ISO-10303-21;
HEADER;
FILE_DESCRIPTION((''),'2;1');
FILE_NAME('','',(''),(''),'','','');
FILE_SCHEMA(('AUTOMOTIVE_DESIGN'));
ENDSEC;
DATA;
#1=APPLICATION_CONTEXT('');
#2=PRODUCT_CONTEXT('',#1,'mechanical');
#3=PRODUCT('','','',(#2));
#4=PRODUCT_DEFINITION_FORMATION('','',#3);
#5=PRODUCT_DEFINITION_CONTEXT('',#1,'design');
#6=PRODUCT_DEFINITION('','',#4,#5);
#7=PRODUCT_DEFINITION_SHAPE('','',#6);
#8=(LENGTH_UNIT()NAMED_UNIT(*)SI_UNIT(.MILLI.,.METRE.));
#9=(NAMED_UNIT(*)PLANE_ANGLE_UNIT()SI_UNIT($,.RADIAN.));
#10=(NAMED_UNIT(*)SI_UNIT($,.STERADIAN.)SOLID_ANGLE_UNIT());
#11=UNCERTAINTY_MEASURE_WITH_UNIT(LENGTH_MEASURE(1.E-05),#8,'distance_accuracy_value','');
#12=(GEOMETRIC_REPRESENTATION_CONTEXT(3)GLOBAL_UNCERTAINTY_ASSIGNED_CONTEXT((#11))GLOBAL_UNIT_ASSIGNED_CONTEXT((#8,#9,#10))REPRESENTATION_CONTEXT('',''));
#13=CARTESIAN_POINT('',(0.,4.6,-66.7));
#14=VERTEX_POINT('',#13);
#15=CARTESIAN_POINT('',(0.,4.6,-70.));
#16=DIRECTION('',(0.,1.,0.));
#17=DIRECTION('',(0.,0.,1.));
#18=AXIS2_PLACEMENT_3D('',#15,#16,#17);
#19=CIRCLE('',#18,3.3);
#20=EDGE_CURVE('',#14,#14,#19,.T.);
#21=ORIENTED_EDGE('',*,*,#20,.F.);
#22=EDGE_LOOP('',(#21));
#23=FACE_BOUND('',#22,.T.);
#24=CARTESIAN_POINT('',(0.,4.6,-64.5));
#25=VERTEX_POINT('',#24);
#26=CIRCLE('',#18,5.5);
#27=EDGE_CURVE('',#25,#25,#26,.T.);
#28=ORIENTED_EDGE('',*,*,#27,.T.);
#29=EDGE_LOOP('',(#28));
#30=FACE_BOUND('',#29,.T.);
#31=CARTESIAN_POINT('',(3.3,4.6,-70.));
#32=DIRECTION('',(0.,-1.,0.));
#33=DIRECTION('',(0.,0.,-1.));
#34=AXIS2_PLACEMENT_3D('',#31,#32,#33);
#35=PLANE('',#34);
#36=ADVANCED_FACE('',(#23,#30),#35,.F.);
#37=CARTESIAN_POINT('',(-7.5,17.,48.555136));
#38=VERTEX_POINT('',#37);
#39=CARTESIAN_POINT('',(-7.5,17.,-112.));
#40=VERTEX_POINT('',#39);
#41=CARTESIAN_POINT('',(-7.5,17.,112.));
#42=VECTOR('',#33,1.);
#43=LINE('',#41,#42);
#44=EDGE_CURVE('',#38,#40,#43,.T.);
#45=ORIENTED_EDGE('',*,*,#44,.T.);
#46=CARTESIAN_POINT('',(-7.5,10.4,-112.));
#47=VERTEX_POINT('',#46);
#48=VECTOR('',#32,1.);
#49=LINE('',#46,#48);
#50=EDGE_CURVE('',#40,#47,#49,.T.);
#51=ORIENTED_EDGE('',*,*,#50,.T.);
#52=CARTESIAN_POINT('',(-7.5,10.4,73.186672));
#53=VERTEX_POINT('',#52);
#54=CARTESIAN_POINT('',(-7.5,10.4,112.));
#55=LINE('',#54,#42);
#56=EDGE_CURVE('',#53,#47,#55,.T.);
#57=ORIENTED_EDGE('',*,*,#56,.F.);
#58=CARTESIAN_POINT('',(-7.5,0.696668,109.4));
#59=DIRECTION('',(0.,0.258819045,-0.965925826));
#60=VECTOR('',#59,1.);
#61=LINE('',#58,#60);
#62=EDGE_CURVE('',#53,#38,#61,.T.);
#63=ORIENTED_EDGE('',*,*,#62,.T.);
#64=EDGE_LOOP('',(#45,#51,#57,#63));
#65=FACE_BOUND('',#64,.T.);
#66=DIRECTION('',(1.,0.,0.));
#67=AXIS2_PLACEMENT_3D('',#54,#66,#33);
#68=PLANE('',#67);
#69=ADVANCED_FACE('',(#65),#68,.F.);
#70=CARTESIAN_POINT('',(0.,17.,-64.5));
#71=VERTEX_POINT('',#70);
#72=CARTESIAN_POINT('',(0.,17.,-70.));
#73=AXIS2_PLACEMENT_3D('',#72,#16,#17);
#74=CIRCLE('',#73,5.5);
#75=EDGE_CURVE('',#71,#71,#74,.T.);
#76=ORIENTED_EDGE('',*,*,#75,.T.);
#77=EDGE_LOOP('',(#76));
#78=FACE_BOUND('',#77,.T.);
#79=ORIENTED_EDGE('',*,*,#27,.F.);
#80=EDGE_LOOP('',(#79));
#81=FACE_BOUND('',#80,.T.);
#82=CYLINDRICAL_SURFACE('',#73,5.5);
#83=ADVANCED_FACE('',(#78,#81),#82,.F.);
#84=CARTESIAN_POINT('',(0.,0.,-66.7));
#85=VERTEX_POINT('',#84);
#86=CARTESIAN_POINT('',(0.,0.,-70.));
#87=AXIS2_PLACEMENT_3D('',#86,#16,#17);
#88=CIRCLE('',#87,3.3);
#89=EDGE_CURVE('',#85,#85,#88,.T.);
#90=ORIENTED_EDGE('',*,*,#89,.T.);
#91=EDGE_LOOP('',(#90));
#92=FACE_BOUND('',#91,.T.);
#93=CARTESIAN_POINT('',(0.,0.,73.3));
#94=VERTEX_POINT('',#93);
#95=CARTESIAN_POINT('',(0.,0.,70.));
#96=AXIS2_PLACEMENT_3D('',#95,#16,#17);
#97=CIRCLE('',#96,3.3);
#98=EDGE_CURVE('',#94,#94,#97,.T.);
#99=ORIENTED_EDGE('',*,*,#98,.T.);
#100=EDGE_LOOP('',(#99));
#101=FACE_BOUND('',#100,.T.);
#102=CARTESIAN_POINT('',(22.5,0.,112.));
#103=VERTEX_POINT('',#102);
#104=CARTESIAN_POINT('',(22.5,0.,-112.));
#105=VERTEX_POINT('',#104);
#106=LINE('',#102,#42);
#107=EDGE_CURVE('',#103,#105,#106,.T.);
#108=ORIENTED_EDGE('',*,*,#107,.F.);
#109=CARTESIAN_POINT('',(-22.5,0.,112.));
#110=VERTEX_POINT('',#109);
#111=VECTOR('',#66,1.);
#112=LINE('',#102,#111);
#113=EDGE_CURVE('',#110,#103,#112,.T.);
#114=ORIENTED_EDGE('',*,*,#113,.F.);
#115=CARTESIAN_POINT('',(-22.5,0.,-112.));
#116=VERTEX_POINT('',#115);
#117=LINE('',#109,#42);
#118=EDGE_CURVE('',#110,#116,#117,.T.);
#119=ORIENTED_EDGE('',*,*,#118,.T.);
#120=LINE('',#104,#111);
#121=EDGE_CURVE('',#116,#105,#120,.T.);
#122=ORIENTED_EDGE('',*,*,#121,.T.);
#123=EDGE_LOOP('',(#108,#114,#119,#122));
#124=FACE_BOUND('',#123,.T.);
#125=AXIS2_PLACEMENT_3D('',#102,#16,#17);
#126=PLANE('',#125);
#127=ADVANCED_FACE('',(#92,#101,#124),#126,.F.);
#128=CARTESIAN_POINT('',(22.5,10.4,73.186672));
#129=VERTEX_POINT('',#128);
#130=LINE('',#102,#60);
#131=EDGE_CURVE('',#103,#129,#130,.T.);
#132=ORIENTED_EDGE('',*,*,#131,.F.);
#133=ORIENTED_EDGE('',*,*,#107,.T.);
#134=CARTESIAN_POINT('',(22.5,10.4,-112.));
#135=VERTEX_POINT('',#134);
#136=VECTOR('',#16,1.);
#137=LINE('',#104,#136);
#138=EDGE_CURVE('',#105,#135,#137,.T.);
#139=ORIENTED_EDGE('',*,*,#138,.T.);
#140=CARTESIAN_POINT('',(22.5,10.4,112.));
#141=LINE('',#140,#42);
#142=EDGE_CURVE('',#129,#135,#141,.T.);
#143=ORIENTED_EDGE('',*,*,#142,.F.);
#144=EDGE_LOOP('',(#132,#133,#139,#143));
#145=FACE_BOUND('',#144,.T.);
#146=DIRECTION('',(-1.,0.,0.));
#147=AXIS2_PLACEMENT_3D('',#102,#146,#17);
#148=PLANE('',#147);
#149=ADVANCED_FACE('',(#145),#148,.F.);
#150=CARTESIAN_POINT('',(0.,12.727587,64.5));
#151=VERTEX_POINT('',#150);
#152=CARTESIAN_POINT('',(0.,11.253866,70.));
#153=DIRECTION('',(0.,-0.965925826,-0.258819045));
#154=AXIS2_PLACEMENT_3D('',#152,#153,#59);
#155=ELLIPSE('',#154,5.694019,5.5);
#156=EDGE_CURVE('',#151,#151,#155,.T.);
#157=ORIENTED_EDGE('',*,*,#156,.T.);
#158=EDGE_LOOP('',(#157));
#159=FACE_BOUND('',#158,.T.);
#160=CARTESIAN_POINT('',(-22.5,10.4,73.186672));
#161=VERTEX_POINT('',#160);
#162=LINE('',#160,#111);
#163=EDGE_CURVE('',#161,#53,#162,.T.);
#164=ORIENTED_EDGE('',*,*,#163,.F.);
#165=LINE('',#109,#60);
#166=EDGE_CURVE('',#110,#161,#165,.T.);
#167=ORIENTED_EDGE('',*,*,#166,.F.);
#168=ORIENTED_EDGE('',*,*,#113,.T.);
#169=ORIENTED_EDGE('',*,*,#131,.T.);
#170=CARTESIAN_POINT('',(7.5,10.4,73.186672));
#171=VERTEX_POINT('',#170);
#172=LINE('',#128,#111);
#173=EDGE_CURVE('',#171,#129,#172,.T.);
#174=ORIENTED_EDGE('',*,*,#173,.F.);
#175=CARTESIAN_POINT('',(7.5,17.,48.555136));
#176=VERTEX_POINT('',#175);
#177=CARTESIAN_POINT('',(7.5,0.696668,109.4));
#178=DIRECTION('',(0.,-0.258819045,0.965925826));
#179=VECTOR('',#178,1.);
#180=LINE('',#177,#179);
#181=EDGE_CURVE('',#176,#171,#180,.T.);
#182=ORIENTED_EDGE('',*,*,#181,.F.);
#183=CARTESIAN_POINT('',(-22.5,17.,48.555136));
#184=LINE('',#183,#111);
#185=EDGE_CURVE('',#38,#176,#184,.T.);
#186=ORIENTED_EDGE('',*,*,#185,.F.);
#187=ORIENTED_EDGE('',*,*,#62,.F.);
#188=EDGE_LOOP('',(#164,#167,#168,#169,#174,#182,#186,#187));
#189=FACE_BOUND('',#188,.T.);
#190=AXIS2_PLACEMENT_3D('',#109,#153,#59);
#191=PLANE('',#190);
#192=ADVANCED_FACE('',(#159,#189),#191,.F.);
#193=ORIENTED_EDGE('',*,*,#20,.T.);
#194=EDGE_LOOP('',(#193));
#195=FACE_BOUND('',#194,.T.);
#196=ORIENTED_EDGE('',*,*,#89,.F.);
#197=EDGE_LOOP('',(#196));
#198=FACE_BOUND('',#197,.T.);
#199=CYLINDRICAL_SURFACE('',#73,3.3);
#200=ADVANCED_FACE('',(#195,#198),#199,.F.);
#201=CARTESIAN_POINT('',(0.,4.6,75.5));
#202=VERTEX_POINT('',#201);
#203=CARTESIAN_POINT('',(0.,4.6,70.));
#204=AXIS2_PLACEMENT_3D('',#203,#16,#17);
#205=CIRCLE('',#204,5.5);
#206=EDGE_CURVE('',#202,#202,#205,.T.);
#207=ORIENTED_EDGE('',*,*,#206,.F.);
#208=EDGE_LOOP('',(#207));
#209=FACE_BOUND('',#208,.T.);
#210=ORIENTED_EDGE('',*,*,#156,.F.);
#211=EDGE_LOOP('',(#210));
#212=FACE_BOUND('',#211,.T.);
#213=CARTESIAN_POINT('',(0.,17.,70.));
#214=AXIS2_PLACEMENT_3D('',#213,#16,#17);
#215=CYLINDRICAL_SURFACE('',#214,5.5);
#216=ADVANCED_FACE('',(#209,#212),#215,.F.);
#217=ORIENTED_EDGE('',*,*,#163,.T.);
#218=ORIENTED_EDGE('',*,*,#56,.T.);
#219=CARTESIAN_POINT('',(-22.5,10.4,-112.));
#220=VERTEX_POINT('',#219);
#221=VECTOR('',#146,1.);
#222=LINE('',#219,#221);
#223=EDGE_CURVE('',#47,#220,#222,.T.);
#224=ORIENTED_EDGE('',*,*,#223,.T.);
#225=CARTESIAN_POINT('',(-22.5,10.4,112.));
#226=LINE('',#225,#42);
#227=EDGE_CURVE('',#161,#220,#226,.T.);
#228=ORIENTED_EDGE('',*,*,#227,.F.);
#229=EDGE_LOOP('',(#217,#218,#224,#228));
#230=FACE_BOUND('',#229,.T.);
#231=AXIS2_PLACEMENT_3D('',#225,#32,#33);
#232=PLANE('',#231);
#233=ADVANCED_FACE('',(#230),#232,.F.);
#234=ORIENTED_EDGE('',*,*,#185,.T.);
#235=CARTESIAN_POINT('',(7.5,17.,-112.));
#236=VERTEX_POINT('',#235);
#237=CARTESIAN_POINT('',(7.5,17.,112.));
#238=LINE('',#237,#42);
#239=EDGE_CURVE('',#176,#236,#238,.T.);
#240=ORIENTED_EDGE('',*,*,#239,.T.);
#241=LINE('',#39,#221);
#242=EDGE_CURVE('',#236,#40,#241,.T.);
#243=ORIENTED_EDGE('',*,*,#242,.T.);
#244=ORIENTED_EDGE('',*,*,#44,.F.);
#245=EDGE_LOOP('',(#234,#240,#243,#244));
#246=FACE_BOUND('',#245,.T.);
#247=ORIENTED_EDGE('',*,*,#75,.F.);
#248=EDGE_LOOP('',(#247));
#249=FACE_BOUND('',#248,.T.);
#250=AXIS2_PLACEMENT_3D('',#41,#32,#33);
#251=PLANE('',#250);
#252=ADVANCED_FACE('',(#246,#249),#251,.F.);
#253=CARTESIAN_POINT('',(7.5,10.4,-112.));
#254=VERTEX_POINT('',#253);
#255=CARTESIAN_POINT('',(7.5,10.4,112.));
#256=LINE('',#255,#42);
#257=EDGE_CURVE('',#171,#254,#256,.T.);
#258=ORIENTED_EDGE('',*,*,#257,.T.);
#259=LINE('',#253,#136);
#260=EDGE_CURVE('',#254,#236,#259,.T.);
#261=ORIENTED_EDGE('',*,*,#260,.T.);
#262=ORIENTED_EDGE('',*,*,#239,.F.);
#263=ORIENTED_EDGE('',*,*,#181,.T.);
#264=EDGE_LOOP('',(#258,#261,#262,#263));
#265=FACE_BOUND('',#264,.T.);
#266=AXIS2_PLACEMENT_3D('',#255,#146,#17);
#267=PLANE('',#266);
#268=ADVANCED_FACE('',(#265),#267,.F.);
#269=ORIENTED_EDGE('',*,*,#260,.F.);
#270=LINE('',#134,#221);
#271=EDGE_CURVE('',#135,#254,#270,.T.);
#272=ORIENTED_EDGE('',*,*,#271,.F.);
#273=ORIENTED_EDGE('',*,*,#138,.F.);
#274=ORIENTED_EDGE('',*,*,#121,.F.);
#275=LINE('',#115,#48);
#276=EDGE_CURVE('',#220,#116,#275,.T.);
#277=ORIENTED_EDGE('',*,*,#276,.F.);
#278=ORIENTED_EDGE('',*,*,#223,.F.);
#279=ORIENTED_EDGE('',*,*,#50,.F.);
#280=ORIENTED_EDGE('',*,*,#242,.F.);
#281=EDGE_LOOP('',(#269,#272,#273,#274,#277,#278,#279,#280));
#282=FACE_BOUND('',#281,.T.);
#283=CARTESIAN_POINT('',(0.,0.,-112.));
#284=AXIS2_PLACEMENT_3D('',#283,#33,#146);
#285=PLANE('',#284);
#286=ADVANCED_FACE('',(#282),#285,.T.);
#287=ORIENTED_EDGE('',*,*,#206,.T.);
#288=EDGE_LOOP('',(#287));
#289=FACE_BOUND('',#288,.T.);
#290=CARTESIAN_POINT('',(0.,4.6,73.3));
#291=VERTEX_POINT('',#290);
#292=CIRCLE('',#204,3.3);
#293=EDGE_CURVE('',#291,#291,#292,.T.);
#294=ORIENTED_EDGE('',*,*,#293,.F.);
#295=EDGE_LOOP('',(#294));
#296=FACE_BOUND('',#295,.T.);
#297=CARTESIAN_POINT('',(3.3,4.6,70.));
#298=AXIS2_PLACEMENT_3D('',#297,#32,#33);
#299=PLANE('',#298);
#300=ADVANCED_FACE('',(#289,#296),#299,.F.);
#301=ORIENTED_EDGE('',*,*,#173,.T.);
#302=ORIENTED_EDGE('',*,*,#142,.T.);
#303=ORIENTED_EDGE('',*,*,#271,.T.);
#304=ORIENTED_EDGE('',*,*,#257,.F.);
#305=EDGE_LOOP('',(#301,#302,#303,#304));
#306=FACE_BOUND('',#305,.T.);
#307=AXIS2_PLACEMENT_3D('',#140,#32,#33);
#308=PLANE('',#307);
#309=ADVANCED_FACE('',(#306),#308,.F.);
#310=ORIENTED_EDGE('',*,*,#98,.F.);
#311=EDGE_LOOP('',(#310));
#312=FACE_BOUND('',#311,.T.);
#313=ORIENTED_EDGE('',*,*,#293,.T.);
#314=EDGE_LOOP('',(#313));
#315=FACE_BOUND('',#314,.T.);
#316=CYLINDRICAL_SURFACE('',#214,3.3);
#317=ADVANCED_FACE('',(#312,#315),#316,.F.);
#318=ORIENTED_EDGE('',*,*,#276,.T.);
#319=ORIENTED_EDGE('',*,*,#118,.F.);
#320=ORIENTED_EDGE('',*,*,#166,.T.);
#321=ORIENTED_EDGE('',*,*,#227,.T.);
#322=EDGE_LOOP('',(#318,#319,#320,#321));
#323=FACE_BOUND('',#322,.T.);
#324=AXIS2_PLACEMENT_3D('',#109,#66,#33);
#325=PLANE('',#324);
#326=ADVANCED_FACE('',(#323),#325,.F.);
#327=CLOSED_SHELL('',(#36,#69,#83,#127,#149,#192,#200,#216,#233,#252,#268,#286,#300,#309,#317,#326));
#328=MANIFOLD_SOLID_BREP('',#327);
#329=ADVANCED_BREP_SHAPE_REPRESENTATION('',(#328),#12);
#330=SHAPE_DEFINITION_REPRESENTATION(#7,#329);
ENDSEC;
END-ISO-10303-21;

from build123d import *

# Parameters (mm, degrees)
EXTRUDE_1_DEPTH             = 112
CUT_EXTRUDE_2_DEPTH         = 122.893396048
HOLE_WIZARD_M61_D           = 6.6
HOLE_WIZARD_M61_DEPTH       = 20
HOLE_WIZARD_M61_CBORE_D     = 11
HOLE_WIZARD_M61_CBORE_DEPTH = 12.4
HOLE_WIZARD_M61_TIP         = 1.982840043


with BuildPart() as part:
    # Эскиз1 → Бобышка-Вытянуть1 (new, symmetric)
    with BuildSketch(Plane.XY):
        Polygon((22.5, 0), (-22.5, 0), (-22.5, 10.4), (-7.5, 10.4), (-7.5, 17), (7.5, 17), (7.5, 10.4), (22.5, 10.4), align=None)
    extrude(amount=EXTRUDE_1_DEPTH, both=True)

    # Эскиз5 → Вырез-Вытянуть2 (cut, through all)
    with BuildSketch(Plane(origin=(22.5, 0, 0), x_dir=(0, 0, -1), z_dir=(1, 0, 0))):
        Polygon((-112, 0), (-48.555136271, 17), (-112, 17), align=None)
    extrude(amount=-CUT_EXTRUDE_2_DEPTH, mode=Mode.SUBTRACT)

    # Цековка для винта с внутренним шестигранником M61
    with Locations(Plane(origin=(0, 17, 0), x_dir=(1, 0, 0), z_dir=(0, 1, 0))):
        with Locations((0, -210), (0, 70), (0, -70)):
            CounterBoreHole(HOLE_WIZARD_M61_D / 2, HOLE_WIZARD_M61_CBORE_D / 2, HOLE_WIZARD_M61_CBORE_DEPTH, depth=HOLE_WIZARD_M61_DEPTH)
            with Locations((0, 0, -(HOLE_WIZARD_M61_DEPTH + HOLE_WIZARD_M61_TIP / 2))):  # 118° drill point
                Cone(0, HOLE_WIZARD_M61_D / 2, HOLE_WIZARD_M61_TIP, mode=Mode.SUBTRACT)


solid = part.part
